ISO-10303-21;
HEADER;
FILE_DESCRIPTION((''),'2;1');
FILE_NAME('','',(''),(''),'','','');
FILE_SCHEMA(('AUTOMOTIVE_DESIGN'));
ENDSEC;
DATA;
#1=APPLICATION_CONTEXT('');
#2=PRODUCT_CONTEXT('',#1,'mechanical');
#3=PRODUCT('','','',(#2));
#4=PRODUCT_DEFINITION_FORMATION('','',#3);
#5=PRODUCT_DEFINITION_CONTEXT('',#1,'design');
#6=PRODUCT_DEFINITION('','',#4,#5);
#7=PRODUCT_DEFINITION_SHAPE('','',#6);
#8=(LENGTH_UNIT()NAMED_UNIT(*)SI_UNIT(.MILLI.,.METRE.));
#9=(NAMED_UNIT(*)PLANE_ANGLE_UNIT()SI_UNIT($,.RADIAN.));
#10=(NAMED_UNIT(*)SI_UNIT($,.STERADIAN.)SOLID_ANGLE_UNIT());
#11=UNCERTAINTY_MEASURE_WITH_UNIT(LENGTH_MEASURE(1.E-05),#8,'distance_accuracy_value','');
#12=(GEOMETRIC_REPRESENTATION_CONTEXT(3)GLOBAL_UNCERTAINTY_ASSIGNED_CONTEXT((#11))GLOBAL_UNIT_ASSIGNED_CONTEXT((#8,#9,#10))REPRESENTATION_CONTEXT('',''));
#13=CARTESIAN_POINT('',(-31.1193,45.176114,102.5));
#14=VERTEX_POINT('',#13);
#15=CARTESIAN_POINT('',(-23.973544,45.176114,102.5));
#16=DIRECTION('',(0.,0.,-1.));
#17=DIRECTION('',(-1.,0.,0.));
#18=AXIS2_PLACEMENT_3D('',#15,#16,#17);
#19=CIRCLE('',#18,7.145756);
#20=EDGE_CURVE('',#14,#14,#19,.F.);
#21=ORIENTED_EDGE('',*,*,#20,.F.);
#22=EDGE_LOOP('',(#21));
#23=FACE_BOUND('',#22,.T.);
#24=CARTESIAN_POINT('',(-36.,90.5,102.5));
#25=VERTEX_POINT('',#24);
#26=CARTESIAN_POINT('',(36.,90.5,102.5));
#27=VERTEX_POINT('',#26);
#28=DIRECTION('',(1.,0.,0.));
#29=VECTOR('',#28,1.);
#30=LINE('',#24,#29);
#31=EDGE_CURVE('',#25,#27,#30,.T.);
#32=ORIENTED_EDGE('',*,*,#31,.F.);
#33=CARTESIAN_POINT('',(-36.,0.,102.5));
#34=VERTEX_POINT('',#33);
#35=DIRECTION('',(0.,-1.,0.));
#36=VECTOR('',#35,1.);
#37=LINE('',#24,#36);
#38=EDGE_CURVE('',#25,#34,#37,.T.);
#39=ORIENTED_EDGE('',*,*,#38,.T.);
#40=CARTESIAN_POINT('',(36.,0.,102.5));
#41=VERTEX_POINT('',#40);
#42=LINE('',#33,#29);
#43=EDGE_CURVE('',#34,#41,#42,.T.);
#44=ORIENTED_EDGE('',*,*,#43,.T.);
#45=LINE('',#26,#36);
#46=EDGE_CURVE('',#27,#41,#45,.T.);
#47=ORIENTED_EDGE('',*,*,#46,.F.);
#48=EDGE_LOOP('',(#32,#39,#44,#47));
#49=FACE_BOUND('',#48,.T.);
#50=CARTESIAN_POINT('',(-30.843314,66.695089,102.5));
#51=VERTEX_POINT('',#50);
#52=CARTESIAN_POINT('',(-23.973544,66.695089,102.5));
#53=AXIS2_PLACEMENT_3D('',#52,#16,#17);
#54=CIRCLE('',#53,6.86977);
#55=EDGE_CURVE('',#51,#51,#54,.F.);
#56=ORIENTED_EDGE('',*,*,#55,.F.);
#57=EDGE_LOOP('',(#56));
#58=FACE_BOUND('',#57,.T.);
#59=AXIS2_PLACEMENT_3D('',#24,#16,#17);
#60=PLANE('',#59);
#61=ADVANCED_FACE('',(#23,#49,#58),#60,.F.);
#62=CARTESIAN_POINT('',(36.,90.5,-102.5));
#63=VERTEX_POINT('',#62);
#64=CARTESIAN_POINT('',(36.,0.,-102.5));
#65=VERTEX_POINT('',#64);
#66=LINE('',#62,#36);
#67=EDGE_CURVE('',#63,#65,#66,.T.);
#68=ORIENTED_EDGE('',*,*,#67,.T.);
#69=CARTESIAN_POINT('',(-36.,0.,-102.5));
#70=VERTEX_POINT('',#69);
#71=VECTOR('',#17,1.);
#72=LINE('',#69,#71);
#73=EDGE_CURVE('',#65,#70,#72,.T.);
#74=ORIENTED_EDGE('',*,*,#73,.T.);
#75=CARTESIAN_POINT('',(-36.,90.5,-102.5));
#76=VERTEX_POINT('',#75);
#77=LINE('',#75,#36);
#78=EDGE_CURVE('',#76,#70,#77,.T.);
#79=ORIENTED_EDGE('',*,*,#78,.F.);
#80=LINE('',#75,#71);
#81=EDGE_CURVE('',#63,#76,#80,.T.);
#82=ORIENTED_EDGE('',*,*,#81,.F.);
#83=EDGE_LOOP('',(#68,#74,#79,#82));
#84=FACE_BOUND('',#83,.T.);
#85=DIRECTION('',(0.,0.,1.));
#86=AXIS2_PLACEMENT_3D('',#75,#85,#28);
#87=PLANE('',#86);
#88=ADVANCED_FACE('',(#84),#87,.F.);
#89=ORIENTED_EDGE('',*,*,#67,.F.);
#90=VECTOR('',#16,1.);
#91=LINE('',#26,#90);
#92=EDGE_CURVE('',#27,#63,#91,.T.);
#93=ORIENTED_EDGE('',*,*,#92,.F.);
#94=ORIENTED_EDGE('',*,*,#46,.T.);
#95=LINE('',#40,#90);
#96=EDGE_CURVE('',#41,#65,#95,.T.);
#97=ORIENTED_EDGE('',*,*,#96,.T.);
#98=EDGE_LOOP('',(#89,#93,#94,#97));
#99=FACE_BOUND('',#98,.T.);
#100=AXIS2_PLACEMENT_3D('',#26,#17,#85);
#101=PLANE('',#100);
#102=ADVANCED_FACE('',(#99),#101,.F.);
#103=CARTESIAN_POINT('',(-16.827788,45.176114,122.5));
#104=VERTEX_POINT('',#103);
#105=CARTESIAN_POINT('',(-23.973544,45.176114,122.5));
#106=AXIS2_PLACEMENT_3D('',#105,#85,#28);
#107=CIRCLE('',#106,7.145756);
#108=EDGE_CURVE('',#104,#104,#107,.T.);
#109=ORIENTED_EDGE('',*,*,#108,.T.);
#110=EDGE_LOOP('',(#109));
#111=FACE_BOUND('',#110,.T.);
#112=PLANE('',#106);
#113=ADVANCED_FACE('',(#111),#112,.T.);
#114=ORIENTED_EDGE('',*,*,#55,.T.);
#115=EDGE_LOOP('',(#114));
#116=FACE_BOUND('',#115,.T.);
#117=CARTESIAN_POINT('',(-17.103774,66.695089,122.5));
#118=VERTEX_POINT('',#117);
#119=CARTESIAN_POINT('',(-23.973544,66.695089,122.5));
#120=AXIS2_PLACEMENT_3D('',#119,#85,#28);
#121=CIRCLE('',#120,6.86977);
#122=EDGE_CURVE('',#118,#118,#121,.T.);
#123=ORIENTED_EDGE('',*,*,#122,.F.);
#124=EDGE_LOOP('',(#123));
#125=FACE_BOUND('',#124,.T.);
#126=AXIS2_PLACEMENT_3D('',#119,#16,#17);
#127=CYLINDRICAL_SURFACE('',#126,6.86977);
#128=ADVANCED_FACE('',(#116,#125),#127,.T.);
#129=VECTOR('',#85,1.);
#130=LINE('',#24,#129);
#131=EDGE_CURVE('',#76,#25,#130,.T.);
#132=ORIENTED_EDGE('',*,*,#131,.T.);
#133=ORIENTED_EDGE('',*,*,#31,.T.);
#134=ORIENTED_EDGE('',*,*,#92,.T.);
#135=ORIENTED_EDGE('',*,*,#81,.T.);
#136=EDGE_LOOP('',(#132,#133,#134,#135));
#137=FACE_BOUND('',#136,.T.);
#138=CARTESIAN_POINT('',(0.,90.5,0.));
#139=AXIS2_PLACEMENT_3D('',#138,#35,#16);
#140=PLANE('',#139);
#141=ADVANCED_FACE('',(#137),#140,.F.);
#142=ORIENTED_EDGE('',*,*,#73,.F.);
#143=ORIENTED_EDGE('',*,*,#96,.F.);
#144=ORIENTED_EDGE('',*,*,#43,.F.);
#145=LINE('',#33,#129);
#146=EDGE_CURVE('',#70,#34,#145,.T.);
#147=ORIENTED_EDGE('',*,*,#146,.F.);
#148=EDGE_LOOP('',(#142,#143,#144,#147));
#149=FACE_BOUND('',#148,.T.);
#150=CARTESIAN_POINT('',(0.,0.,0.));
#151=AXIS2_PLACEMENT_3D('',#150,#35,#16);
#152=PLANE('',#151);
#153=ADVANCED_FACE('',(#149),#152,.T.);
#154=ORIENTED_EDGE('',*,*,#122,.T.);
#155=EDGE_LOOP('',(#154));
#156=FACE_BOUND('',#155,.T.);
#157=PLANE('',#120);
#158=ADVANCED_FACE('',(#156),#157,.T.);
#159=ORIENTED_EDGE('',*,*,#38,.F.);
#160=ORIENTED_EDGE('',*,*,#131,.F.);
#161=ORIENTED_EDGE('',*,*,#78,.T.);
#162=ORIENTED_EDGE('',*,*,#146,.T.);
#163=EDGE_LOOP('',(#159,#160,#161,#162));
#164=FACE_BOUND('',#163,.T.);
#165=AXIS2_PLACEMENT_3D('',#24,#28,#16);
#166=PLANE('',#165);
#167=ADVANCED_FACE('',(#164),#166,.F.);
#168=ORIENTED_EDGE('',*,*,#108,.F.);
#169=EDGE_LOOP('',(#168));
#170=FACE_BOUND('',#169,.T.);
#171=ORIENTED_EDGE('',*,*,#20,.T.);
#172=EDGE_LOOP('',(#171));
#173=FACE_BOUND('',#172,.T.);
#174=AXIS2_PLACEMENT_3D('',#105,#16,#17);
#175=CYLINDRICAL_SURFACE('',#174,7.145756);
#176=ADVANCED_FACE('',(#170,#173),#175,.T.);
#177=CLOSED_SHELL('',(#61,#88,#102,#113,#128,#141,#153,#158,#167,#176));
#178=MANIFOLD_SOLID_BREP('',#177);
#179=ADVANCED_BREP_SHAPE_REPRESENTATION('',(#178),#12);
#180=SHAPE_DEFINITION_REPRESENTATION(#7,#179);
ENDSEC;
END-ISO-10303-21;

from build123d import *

# Parameters (mm, degrees)
SKETCH1_W           = 72
SKETCH1_H           = 205
BOSS_EXTRUDE1_DEPTH = 90.5
SKETCH3_R           = 6.869769894
SKETCH3_R_2         = 7.145756099
BOSS_EXTRUDE2_DEPTH = 20


with BuildPart() as part:
    # Sketch1 → Boss-Extrude1 (new body)
    with BuildSketch(Plane(origin=(0, 0, 0), x_dir=(1, 0, 0), z_dir=(0, 1, 0))):
        Rectangle(SKETCH1_W, SKETCH1_H)
    extrude(amount=BOSS_EXTRUDE1_DEPTH)

    # Sketch3 → Boss-Extrude2 (add)
    with BuildSketch(Plane.XY.offset(102.5)):
        with Locations((-23.973543761, 66.695088825)):
            Circle(SKETCH3_R)
        with Locations((-23.973543761, 45.176113887)):
            Circle(SKETCH3_R_2)
    extrude(amount=BOSS_EXTRUDE2_DEPTH)


solid = part.part
